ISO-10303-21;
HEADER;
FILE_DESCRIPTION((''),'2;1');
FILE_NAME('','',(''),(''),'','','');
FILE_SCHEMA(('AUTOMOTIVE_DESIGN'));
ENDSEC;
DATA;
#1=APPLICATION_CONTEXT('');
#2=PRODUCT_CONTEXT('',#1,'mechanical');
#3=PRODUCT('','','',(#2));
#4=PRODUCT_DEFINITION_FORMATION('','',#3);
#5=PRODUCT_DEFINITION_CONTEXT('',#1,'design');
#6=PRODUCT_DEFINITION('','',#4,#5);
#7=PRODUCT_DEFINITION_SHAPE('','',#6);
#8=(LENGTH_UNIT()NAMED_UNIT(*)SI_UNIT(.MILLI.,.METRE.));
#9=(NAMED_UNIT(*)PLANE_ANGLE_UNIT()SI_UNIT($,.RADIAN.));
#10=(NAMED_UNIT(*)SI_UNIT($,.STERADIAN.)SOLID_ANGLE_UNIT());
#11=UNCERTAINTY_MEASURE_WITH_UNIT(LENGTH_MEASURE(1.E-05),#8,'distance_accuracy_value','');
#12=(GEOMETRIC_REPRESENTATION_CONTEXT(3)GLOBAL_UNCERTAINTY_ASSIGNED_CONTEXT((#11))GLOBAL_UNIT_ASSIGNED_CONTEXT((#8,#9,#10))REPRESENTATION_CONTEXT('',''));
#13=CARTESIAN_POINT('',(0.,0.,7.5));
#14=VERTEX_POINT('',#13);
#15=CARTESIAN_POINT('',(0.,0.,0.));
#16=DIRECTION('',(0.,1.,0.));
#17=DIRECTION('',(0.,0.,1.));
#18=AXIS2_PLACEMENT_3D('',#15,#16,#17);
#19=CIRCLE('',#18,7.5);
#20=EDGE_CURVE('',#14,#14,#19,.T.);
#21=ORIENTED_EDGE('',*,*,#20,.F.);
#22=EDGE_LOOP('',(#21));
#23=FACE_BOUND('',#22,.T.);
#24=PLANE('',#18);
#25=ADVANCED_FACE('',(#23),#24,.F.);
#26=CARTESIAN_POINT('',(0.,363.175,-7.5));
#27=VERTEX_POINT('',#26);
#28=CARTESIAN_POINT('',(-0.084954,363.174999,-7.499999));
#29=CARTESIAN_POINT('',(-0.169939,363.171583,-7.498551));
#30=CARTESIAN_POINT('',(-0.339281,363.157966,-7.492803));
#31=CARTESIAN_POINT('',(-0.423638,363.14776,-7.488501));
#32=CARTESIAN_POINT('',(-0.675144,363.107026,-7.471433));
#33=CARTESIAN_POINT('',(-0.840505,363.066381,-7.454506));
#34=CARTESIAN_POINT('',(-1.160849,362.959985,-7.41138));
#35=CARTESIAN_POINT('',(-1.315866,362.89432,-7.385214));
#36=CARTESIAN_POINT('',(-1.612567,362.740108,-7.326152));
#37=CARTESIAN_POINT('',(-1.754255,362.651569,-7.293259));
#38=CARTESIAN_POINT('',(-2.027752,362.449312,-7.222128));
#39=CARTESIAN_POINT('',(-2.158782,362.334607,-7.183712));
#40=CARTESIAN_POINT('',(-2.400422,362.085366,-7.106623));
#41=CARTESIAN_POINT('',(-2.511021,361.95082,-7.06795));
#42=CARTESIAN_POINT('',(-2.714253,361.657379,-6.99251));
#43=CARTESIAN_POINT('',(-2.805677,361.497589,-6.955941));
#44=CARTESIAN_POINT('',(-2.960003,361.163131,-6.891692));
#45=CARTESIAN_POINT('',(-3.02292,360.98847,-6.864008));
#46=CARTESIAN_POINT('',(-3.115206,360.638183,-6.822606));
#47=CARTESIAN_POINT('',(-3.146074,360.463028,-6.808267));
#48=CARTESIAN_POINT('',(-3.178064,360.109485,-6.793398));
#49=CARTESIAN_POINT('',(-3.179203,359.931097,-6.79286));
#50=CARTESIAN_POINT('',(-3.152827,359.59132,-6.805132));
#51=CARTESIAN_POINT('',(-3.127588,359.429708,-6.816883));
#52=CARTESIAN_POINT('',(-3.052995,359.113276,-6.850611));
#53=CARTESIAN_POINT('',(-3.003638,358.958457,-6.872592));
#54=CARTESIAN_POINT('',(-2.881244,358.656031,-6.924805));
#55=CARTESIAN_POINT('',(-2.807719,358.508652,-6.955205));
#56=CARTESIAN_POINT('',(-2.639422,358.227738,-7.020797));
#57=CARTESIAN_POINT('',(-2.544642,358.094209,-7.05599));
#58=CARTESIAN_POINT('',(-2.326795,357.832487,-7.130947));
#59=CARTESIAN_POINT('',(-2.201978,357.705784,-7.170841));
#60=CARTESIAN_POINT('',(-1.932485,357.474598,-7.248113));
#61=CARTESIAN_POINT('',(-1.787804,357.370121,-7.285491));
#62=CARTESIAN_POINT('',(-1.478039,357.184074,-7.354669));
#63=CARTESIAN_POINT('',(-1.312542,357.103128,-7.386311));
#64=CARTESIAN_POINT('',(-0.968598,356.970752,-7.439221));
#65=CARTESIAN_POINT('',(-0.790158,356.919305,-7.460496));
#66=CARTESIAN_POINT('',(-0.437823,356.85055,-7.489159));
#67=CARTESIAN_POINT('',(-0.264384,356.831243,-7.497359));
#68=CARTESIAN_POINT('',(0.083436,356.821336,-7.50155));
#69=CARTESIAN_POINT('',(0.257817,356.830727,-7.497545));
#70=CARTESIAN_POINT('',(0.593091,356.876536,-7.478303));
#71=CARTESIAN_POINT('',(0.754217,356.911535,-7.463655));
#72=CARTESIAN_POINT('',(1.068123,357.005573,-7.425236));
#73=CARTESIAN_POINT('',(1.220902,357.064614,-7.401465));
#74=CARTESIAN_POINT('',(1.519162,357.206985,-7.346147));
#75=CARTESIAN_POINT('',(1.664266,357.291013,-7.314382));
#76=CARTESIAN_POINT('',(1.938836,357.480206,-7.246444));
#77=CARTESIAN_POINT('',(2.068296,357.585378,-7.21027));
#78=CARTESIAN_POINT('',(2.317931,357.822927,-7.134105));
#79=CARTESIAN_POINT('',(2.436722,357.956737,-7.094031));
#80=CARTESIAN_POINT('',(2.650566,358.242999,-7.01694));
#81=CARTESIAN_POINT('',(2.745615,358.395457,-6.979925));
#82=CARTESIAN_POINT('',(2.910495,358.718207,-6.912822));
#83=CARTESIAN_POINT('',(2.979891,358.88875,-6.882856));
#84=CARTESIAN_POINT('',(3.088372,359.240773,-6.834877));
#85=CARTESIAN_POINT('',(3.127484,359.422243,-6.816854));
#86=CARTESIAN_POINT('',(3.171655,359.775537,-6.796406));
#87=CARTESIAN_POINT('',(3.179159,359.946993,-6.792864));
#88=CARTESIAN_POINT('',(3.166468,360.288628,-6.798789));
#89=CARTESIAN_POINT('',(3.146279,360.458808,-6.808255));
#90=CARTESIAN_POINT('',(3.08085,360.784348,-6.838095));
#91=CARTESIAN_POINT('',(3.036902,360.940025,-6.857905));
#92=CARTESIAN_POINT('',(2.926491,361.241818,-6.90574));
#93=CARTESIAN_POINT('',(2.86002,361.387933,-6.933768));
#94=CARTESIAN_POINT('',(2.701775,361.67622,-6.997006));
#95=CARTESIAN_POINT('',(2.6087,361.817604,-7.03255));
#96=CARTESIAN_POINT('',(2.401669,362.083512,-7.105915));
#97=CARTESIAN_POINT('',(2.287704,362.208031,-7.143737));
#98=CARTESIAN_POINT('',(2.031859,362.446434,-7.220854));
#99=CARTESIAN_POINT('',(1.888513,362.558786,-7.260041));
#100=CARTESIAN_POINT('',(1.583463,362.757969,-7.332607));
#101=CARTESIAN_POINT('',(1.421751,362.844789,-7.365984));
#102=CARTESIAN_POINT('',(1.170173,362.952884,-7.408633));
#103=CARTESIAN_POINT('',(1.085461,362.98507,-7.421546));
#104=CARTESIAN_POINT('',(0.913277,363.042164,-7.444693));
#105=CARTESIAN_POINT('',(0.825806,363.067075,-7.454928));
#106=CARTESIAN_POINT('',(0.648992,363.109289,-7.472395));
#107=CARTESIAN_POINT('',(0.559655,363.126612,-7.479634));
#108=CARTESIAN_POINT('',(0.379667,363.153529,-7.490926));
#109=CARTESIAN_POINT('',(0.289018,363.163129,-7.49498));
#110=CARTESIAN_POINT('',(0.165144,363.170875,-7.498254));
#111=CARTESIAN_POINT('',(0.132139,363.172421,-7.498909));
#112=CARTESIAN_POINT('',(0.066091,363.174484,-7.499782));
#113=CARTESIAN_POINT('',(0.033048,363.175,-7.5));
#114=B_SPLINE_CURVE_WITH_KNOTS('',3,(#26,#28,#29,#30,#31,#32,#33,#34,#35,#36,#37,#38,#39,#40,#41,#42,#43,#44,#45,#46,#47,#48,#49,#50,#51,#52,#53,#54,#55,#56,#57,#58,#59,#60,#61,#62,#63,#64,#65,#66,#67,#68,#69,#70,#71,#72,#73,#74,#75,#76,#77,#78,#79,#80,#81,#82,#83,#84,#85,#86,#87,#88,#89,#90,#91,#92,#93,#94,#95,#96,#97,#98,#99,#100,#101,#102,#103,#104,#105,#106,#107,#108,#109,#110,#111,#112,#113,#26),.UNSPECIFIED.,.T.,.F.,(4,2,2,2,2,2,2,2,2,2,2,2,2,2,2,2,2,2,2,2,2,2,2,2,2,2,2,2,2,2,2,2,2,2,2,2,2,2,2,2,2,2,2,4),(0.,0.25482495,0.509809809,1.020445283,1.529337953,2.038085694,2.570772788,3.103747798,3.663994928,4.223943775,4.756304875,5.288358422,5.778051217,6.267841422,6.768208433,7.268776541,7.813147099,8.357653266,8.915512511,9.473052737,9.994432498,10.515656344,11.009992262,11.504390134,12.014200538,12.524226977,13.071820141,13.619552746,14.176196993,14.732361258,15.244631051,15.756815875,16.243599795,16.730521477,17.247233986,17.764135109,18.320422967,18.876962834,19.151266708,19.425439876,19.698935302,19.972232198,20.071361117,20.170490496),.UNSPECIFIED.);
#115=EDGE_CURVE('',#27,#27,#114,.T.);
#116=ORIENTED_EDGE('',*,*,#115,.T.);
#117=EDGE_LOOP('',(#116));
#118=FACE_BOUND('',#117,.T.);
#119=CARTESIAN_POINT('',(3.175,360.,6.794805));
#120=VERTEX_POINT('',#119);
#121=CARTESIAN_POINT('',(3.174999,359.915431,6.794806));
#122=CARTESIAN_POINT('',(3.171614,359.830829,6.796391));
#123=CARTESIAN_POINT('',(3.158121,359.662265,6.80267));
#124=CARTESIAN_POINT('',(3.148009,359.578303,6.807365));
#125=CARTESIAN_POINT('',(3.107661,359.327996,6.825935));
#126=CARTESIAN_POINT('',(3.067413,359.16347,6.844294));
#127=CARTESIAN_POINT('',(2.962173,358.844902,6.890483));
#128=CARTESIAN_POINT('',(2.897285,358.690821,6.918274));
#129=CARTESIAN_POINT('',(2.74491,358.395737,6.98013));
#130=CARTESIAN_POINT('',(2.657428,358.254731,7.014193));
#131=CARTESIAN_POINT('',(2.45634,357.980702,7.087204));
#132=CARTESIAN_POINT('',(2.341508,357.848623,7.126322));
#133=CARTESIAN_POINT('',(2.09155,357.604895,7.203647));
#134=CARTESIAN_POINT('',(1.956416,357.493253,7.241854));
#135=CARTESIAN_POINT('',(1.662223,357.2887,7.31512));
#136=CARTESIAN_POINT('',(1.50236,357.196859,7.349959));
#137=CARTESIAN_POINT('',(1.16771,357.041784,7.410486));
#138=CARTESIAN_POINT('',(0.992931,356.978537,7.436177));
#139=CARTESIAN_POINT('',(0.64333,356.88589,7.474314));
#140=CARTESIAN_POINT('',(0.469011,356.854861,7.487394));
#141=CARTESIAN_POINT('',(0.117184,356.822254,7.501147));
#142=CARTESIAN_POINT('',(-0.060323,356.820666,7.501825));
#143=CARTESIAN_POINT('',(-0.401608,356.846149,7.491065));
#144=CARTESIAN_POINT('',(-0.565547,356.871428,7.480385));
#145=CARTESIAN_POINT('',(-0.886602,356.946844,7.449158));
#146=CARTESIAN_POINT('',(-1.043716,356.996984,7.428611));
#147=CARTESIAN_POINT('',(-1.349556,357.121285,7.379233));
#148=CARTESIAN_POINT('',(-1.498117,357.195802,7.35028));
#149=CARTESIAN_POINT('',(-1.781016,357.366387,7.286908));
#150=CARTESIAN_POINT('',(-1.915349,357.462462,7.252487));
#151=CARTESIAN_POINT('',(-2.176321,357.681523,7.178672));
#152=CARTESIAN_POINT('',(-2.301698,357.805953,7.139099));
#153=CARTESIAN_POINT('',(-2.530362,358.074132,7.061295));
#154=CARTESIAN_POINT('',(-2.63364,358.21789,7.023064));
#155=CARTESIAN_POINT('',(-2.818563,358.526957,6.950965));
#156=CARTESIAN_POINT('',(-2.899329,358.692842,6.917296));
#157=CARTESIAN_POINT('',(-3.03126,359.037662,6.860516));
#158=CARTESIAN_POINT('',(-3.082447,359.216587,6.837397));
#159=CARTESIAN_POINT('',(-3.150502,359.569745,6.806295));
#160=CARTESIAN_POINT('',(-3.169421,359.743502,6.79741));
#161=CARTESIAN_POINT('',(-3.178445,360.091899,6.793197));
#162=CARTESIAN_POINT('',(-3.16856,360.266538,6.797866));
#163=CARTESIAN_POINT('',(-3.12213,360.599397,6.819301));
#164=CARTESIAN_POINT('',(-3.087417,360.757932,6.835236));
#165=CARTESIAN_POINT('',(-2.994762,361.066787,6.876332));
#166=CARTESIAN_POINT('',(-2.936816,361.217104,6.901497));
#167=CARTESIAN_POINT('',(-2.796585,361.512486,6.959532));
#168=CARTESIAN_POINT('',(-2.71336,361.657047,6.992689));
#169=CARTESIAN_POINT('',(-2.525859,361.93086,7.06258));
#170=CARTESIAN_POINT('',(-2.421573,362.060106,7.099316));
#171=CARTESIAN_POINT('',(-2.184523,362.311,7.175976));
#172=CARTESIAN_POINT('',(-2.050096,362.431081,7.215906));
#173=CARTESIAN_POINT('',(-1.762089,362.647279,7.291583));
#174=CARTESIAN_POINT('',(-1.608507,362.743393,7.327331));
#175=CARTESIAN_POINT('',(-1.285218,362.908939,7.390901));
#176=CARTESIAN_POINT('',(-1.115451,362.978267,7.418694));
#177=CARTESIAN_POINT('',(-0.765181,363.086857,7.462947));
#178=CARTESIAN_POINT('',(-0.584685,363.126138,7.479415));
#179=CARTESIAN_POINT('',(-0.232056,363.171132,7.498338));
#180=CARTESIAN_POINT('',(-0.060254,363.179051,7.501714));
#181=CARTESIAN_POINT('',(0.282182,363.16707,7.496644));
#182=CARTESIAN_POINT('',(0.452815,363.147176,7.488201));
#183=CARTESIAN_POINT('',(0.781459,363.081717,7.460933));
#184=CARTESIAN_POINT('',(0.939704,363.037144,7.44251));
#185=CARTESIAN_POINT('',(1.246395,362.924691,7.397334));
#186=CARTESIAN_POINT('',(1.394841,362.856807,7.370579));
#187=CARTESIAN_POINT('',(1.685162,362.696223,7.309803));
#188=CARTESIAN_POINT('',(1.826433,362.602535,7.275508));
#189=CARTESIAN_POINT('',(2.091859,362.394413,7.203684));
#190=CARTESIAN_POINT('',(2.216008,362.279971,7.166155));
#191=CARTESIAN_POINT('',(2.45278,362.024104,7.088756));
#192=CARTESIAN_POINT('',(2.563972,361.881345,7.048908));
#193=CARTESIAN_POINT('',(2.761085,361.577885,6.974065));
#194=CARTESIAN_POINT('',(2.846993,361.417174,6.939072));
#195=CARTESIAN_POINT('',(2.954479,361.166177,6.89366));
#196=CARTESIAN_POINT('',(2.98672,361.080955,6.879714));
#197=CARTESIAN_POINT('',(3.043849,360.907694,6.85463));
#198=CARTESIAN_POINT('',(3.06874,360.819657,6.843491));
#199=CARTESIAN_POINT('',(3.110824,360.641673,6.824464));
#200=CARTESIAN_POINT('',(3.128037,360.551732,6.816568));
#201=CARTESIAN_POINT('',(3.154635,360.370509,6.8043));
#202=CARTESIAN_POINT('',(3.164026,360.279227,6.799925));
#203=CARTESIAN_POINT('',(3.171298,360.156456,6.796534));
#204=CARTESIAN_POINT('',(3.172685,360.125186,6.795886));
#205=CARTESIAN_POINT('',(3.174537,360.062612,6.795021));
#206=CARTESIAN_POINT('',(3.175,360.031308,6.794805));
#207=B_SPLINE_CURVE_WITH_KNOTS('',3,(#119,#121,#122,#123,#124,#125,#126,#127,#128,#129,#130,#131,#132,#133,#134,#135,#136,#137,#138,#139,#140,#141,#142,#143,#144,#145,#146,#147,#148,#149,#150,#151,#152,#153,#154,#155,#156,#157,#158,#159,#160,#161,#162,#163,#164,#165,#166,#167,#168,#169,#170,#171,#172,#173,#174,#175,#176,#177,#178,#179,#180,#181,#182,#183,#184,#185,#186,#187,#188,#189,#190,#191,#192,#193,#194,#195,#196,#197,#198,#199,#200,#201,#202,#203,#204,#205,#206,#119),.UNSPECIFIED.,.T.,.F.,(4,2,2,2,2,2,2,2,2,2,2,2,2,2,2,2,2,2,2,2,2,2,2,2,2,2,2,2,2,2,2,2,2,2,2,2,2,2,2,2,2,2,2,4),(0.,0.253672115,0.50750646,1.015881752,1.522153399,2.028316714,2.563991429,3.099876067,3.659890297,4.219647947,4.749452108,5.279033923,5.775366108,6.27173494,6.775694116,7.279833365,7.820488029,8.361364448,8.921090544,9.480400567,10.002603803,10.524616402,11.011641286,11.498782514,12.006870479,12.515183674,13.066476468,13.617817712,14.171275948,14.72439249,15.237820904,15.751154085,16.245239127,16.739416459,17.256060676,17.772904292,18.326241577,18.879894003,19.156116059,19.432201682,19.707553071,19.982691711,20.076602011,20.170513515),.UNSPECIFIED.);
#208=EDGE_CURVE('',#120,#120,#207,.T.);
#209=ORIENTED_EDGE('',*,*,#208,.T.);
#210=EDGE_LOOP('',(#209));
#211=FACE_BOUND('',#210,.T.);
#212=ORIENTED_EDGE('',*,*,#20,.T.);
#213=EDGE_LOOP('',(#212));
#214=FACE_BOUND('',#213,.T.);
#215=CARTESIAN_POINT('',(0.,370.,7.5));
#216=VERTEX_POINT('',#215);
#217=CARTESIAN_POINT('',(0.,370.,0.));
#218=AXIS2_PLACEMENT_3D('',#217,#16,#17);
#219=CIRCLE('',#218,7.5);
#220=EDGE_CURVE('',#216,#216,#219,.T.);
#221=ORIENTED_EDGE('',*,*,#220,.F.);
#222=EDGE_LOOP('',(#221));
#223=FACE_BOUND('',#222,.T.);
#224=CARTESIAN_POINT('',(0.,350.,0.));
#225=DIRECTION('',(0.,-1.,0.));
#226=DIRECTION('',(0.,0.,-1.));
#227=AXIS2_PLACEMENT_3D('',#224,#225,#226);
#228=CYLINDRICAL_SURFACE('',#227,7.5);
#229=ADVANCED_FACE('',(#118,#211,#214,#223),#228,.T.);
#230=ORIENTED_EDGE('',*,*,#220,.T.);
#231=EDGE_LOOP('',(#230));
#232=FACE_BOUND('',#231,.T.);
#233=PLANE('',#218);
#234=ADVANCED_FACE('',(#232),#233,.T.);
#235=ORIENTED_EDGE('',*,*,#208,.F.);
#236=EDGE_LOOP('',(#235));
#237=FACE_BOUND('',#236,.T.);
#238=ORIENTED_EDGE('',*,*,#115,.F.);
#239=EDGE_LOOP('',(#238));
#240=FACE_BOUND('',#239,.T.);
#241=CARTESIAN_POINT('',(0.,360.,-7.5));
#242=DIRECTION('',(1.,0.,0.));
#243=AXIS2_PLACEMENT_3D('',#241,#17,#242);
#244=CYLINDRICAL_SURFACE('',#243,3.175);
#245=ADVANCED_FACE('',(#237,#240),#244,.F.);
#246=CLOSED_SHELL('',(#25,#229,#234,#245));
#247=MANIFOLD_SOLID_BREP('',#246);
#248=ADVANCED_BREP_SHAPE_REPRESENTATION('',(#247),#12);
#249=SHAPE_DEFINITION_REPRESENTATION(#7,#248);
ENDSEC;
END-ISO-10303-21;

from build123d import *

# Parameters (mm, degrees)
SKETCH1_R               = 7.5
BOSS_EXTRUDE1_DEPTH     = 350
SKETCH3_R               = 7.5
BOSS_EXTRUDE2_DEPTH     = 20
CUT_EXTRUDE1_DEPTH      = 371.151995807
CUT_EXTRUDE1_DEPTH_BACK = 371.151995807
SKETCH4_R               = 3.175


with BuildPart() as part:
    # Sketch1 → Boss-Extrude1 (new body)
    with BuildSketch(Plane(origin=(0, 0, 0), x_dir=(1, 0, 0), z_dir=(0, 1, 0))):
        with Locations(Location((0, 0, 0), (0, 0, 270))):
            Circle(SKETCH1_R)
    extrude(amount=BOSS_EXTRUDE1_DEPTH)

    # Sketch3 → Boss-Extrude2 (add)
    with BuildSketch(Plane(origin=(0, 350, 0), x_dir=(1, 0, 0), z_dir=(0, 1, 0))):
        with Locations(Location((0, 0, 0), (0, 0, 270))):
            Circle(SKETCH3_R)
    extrude(amount=BOSS_EXTRUDE2_DEPTH)

    # Sketch4 → Cut-Extrude1 (cut, two sides: drawn at the far end of the back side and taken through both)
    with BuildSketch(Plane.XY.offset(-CUT_EXTRUDE1_DEPTH_BACK)):
        with Locations(Location((0, 360, 0), (0, 0, 90.000000001))):
            Circle(SKETCH4_R)
    extrude(amount=CUT_EXTRUDE1_DEPTH + CUT_EXTRUDE1_DEPTH_BACK, mode=Mode.SUBTRACT)


solid = part.part
